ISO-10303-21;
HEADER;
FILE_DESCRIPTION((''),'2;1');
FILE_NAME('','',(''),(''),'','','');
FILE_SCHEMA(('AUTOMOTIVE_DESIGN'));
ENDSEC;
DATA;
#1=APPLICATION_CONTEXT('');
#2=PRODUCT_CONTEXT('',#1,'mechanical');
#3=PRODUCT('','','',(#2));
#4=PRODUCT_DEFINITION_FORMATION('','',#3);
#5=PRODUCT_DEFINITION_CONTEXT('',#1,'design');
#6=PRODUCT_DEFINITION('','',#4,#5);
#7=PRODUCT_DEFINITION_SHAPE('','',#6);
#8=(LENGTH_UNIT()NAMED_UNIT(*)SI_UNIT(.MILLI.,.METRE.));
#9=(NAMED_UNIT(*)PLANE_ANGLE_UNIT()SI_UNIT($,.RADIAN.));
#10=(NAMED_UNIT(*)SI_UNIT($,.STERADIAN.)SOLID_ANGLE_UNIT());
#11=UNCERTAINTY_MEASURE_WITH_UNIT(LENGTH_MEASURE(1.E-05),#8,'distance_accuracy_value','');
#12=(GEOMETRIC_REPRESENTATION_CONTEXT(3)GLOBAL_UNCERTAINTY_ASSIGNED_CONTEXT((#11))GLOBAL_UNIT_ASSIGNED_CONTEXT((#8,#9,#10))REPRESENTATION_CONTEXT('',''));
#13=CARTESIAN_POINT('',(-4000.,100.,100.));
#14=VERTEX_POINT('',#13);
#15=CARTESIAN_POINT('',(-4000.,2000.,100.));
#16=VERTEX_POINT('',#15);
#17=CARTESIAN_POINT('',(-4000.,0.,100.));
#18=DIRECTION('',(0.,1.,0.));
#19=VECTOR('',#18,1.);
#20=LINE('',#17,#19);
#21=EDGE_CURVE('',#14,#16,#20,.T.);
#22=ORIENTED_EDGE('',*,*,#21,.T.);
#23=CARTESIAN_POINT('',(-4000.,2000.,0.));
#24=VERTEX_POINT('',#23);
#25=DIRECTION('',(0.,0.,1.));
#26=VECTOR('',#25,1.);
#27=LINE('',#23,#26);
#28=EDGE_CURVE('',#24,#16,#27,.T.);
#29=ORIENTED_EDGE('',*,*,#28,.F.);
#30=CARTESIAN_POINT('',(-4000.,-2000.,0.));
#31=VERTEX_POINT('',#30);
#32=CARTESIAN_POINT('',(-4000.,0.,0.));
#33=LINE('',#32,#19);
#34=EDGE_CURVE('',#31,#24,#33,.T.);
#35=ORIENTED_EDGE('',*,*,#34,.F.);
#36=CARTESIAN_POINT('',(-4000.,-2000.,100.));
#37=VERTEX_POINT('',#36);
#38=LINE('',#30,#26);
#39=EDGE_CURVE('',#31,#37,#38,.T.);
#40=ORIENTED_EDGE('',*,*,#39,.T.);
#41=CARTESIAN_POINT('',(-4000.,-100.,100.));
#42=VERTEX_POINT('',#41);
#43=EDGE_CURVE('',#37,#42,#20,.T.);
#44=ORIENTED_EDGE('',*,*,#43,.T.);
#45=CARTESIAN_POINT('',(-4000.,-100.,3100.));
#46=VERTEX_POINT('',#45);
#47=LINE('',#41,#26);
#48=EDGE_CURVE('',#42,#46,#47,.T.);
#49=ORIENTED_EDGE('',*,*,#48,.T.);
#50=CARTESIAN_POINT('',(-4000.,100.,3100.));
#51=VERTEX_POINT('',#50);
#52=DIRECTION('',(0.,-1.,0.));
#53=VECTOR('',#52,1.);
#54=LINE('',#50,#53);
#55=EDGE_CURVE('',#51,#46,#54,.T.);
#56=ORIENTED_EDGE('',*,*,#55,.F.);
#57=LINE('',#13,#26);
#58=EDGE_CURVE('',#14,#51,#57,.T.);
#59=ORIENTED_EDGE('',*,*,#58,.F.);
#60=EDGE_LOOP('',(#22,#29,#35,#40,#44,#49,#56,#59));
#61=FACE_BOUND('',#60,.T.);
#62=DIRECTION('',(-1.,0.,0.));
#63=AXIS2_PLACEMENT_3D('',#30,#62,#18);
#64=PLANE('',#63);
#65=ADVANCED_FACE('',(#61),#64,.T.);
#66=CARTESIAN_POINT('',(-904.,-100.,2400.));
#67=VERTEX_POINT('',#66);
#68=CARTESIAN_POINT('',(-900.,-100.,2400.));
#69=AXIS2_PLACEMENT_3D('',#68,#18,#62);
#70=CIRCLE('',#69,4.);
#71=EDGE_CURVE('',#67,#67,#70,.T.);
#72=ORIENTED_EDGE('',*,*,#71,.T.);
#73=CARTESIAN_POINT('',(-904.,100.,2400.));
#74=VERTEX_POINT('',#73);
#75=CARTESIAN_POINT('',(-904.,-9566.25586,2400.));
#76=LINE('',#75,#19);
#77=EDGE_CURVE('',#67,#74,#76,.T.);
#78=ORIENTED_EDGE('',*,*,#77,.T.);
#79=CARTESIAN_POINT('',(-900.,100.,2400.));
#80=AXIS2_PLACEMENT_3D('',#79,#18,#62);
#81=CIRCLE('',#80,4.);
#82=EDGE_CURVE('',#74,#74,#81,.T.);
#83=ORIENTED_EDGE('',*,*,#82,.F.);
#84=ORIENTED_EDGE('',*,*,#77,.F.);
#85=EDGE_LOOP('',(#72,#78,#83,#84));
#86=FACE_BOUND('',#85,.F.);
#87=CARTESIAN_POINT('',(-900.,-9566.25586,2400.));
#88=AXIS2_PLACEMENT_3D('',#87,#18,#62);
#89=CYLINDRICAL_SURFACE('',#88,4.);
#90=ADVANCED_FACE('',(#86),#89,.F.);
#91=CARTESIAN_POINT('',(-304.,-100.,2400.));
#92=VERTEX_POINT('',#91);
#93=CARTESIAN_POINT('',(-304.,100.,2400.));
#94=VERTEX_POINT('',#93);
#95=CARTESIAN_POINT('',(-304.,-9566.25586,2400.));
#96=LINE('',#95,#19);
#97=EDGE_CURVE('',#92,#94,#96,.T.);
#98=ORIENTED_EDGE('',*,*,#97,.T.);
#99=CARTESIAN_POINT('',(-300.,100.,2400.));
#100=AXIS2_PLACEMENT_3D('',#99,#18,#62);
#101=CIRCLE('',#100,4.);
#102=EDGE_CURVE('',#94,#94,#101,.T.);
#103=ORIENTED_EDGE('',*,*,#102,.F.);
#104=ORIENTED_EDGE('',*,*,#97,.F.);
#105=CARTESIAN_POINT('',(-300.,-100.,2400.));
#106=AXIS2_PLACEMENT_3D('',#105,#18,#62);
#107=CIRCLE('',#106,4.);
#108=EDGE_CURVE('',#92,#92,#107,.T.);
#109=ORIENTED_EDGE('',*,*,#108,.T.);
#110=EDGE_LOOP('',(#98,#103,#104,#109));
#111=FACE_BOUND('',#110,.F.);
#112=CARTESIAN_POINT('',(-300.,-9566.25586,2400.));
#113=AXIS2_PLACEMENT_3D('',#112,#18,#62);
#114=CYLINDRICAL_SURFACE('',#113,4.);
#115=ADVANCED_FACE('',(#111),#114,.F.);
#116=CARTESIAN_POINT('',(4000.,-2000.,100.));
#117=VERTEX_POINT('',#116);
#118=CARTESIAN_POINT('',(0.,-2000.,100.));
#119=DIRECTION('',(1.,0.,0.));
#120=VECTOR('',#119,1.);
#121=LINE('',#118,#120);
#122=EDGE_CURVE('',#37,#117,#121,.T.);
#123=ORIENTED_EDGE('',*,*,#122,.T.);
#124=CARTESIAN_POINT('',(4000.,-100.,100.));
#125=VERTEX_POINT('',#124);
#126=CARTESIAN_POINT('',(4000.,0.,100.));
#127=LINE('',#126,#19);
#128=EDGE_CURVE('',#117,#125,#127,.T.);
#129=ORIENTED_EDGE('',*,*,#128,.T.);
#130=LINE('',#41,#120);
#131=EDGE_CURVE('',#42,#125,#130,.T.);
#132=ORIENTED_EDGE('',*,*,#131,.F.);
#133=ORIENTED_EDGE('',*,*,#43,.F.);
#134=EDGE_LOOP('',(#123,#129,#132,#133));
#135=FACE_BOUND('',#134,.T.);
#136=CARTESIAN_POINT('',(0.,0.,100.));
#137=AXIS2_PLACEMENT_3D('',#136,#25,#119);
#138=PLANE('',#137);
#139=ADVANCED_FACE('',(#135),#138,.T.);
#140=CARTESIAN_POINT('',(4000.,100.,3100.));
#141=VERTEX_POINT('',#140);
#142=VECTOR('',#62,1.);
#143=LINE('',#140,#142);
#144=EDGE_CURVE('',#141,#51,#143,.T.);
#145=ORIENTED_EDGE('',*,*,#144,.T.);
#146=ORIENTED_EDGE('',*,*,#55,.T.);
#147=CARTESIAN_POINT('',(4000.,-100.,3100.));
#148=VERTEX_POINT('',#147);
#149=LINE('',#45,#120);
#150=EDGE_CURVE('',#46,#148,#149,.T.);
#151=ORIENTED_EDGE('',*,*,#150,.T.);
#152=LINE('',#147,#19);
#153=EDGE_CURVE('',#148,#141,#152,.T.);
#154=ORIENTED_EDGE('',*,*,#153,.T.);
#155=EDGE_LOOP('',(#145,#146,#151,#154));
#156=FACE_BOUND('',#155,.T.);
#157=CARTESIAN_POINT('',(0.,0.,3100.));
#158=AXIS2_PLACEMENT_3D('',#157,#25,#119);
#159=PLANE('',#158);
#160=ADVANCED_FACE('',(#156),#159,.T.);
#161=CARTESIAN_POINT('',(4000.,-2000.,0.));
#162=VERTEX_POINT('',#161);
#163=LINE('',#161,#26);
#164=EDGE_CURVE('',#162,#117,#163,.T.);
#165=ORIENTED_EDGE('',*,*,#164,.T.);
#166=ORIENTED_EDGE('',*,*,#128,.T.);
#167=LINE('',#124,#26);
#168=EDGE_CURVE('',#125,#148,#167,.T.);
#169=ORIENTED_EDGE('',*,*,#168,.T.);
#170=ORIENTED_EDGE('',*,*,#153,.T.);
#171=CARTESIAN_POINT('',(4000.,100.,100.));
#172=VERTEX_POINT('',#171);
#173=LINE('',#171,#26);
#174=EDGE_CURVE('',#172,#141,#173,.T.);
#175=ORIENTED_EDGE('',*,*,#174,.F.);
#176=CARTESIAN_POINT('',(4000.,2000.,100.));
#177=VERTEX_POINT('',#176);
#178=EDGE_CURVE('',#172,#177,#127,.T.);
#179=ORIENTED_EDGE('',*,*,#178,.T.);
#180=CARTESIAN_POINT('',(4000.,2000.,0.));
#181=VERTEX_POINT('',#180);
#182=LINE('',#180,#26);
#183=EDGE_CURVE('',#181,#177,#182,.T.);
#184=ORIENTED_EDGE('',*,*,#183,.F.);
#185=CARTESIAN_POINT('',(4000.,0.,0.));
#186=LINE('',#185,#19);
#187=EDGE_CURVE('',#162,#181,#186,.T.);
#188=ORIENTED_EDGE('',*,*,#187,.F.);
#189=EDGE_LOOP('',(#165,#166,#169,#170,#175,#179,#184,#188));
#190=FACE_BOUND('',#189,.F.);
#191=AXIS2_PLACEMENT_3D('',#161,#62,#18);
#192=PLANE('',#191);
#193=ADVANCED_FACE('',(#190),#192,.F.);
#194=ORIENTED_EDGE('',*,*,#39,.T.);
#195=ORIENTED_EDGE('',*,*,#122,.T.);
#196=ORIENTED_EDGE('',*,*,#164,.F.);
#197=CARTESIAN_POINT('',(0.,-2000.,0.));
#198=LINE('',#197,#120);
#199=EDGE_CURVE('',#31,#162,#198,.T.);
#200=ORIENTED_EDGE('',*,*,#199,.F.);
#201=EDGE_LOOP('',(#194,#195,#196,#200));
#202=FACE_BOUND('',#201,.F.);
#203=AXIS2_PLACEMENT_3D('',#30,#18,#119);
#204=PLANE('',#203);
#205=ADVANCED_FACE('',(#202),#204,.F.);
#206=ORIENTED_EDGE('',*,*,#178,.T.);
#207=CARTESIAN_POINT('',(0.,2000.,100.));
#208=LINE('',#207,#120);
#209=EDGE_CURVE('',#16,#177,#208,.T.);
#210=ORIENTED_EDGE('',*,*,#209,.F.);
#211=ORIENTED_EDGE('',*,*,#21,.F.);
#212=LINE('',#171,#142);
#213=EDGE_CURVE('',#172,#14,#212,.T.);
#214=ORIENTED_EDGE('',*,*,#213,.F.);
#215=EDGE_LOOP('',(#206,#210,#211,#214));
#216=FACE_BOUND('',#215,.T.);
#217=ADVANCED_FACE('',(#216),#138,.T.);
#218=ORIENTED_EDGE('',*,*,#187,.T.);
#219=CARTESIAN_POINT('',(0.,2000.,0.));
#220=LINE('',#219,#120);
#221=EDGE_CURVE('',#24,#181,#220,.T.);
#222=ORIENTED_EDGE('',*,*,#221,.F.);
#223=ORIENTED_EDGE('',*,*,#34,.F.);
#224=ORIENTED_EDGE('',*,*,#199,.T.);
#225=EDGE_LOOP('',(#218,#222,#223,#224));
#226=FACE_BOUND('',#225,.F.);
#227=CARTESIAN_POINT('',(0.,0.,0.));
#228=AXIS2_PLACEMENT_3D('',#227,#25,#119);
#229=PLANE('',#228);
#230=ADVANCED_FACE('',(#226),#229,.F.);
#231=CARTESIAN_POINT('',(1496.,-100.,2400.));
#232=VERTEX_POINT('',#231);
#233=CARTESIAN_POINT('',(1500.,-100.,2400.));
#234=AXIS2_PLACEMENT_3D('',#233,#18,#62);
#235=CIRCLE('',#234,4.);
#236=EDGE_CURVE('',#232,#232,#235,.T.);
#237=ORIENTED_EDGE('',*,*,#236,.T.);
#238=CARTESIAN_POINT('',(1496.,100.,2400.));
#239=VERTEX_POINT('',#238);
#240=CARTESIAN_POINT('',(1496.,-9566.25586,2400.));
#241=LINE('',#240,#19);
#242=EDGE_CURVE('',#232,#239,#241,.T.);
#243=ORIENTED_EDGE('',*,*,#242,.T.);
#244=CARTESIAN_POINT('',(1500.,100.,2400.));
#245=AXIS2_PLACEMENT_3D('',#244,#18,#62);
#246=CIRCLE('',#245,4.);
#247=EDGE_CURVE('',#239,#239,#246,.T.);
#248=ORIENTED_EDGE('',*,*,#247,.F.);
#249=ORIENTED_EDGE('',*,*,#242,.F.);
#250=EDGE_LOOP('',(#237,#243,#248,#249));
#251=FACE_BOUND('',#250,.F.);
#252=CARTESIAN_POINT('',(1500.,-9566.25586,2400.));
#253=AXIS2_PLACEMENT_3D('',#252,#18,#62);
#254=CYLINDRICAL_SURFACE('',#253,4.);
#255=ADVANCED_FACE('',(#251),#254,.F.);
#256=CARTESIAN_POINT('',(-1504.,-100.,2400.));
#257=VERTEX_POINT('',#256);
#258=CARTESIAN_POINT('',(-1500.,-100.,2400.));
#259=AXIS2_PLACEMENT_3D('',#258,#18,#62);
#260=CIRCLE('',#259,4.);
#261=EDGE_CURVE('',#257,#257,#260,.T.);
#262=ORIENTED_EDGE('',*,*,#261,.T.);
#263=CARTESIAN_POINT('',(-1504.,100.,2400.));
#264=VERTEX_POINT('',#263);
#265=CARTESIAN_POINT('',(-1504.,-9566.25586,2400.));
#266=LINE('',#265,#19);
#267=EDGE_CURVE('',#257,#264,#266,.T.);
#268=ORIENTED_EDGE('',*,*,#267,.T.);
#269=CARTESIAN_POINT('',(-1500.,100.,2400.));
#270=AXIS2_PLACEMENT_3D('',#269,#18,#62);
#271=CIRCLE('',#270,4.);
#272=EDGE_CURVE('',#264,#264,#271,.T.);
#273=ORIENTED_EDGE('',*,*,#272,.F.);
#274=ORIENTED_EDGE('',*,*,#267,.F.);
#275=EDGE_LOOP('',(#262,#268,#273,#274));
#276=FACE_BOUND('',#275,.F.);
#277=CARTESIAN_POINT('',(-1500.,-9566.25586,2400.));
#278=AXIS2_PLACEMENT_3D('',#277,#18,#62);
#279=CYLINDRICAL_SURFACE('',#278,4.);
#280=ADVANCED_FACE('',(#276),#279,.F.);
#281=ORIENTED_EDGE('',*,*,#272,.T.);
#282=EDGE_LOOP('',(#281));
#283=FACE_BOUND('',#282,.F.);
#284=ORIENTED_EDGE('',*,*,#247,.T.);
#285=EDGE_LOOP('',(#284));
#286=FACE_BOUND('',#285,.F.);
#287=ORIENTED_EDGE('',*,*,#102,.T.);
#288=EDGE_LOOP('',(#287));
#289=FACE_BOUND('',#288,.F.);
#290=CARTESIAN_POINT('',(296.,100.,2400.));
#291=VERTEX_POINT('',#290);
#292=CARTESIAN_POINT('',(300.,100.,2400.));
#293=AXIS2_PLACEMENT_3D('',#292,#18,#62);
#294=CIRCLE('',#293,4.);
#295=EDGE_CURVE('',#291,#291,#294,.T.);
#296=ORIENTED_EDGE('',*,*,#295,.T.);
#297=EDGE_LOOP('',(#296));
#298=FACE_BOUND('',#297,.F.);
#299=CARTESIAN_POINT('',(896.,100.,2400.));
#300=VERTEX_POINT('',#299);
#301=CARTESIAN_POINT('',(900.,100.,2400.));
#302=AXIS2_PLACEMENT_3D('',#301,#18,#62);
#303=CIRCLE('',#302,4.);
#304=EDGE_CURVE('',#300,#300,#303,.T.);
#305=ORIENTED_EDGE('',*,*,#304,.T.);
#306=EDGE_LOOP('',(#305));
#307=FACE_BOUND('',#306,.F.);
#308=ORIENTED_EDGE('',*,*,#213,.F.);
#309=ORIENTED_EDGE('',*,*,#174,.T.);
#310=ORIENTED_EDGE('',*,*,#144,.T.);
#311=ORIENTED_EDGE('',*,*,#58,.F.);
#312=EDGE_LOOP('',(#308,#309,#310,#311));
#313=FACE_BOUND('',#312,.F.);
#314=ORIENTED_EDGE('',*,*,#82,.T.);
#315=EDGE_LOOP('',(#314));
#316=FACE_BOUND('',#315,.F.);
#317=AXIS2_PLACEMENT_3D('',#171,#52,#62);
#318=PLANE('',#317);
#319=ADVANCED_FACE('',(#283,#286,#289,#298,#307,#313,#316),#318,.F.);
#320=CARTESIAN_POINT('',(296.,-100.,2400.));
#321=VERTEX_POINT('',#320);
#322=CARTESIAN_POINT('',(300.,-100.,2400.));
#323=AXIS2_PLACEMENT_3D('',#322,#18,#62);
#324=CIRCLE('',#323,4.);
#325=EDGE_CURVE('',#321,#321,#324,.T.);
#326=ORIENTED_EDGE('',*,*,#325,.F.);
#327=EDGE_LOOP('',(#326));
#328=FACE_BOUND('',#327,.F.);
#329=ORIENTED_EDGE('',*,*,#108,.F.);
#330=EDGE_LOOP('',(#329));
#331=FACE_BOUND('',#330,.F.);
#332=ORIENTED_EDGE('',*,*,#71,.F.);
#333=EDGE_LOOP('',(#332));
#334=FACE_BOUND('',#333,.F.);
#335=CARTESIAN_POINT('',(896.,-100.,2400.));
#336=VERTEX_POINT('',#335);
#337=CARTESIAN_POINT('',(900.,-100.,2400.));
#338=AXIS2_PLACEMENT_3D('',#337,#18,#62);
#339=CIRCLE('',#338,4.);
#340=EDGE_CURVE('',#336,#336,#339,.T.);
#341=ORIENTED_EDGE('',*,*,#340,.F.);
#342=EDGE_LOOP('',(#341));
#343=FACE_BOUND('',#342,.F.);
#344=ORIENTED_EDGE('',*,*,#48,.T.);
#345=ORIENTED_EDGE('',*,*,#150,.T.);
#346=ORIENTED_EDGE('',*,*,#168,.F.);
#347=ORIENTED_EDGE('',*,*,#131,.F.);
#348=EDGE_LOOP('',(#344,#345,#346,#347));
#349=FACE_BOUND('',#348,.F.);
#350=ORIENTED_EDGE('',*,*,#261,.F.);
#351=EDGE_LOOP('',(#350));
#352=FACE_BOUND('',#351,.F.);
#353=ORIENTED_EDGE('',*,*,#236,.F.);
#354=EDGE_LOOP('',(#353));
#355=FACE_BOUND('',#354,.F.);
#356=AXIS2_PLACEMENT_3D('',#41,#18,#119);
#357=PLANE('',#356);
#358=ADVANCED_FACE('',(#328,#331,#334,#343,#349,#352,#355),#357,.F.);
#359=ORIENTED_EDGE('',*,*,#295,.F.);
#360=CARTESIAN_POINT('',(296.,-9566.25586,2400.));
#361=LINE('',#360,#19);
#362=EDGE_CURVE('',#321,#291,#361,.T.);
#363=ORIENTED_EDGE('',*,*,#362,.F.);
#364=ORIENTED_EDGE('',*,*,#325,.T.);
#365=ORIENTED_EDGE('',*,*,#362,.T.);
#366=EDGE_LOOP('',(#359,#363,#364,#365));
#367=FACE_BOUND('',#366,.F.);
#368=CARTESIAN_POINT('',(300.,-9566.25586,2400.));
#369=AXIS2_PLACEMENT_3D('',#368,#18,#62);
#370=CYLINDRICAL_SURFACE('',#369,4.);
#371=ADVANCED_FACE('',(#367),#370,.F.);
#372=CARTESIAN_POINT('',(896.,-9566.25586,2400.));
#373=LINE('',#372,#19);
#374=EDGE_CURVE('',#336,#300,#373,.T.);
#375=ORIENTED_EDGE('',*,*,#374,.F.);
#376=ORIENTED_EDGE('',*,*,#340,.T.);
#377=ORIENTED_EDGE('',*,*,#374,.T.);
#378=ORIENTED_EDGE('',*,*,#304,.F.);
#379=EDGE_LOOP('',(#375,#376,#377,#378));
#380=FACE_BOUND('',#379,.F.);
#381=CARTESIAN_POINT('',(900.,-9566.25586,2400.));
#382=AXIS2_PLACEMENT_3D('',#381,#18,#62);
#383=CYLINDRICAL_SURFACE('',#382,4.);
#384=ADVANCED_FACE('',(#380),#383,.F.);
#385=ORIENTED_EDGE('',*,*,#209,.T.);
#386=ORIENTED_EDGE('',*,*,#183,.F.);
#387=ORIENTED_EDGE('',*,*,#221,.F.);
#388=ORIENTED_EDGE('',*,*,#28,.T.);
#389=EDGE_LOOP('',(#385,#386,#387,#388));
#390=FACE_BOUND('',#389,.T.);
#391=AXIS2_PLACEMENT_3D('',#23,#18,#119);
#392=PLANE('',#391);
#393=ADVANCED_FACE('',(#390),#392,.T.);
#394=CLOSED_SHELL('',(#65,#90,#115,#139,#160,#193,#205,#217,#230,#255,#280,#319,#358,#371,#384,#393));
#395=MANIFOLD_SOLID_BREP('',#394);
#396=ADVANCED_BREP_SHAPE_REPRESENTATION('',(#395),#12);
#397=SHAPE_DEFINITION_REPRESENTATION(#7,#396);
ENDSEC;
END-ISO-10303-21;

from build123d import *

# Parameters (mm, degrees)
F0_W     = 8000
F0_H     = 4000
F1_DEPTH = 100
F3_DEPTH = 3000
F5_D     = 8


with BuildPart() as f1:
    # F0 (on Top) → F1 (new body)
    with BuildSketch(Plane.XY):
        Rectangle(F0_W, F0_H)
    extrude(amount=F1_DEPTH)

    # F2 (on face) → F3 (join)
    with BuildSketch(Plane.XY.offset(100)):
        Polygon((-4000, 100), (-4000, 0), (-4000, -100), (4000, -100), (4000, 100), align=None)
    extrude(amount=F3_DEPTH)

    # F5 (through all)
    with Locations(Plane.XZ.offset(100)):
        with Locations((-1500, 2400), (-900, 2400), (-300, 2400), (300, 2400), (900, 2400), (1500, 2400)):
            Hole(F5_D / 2)


solid = f1.part
